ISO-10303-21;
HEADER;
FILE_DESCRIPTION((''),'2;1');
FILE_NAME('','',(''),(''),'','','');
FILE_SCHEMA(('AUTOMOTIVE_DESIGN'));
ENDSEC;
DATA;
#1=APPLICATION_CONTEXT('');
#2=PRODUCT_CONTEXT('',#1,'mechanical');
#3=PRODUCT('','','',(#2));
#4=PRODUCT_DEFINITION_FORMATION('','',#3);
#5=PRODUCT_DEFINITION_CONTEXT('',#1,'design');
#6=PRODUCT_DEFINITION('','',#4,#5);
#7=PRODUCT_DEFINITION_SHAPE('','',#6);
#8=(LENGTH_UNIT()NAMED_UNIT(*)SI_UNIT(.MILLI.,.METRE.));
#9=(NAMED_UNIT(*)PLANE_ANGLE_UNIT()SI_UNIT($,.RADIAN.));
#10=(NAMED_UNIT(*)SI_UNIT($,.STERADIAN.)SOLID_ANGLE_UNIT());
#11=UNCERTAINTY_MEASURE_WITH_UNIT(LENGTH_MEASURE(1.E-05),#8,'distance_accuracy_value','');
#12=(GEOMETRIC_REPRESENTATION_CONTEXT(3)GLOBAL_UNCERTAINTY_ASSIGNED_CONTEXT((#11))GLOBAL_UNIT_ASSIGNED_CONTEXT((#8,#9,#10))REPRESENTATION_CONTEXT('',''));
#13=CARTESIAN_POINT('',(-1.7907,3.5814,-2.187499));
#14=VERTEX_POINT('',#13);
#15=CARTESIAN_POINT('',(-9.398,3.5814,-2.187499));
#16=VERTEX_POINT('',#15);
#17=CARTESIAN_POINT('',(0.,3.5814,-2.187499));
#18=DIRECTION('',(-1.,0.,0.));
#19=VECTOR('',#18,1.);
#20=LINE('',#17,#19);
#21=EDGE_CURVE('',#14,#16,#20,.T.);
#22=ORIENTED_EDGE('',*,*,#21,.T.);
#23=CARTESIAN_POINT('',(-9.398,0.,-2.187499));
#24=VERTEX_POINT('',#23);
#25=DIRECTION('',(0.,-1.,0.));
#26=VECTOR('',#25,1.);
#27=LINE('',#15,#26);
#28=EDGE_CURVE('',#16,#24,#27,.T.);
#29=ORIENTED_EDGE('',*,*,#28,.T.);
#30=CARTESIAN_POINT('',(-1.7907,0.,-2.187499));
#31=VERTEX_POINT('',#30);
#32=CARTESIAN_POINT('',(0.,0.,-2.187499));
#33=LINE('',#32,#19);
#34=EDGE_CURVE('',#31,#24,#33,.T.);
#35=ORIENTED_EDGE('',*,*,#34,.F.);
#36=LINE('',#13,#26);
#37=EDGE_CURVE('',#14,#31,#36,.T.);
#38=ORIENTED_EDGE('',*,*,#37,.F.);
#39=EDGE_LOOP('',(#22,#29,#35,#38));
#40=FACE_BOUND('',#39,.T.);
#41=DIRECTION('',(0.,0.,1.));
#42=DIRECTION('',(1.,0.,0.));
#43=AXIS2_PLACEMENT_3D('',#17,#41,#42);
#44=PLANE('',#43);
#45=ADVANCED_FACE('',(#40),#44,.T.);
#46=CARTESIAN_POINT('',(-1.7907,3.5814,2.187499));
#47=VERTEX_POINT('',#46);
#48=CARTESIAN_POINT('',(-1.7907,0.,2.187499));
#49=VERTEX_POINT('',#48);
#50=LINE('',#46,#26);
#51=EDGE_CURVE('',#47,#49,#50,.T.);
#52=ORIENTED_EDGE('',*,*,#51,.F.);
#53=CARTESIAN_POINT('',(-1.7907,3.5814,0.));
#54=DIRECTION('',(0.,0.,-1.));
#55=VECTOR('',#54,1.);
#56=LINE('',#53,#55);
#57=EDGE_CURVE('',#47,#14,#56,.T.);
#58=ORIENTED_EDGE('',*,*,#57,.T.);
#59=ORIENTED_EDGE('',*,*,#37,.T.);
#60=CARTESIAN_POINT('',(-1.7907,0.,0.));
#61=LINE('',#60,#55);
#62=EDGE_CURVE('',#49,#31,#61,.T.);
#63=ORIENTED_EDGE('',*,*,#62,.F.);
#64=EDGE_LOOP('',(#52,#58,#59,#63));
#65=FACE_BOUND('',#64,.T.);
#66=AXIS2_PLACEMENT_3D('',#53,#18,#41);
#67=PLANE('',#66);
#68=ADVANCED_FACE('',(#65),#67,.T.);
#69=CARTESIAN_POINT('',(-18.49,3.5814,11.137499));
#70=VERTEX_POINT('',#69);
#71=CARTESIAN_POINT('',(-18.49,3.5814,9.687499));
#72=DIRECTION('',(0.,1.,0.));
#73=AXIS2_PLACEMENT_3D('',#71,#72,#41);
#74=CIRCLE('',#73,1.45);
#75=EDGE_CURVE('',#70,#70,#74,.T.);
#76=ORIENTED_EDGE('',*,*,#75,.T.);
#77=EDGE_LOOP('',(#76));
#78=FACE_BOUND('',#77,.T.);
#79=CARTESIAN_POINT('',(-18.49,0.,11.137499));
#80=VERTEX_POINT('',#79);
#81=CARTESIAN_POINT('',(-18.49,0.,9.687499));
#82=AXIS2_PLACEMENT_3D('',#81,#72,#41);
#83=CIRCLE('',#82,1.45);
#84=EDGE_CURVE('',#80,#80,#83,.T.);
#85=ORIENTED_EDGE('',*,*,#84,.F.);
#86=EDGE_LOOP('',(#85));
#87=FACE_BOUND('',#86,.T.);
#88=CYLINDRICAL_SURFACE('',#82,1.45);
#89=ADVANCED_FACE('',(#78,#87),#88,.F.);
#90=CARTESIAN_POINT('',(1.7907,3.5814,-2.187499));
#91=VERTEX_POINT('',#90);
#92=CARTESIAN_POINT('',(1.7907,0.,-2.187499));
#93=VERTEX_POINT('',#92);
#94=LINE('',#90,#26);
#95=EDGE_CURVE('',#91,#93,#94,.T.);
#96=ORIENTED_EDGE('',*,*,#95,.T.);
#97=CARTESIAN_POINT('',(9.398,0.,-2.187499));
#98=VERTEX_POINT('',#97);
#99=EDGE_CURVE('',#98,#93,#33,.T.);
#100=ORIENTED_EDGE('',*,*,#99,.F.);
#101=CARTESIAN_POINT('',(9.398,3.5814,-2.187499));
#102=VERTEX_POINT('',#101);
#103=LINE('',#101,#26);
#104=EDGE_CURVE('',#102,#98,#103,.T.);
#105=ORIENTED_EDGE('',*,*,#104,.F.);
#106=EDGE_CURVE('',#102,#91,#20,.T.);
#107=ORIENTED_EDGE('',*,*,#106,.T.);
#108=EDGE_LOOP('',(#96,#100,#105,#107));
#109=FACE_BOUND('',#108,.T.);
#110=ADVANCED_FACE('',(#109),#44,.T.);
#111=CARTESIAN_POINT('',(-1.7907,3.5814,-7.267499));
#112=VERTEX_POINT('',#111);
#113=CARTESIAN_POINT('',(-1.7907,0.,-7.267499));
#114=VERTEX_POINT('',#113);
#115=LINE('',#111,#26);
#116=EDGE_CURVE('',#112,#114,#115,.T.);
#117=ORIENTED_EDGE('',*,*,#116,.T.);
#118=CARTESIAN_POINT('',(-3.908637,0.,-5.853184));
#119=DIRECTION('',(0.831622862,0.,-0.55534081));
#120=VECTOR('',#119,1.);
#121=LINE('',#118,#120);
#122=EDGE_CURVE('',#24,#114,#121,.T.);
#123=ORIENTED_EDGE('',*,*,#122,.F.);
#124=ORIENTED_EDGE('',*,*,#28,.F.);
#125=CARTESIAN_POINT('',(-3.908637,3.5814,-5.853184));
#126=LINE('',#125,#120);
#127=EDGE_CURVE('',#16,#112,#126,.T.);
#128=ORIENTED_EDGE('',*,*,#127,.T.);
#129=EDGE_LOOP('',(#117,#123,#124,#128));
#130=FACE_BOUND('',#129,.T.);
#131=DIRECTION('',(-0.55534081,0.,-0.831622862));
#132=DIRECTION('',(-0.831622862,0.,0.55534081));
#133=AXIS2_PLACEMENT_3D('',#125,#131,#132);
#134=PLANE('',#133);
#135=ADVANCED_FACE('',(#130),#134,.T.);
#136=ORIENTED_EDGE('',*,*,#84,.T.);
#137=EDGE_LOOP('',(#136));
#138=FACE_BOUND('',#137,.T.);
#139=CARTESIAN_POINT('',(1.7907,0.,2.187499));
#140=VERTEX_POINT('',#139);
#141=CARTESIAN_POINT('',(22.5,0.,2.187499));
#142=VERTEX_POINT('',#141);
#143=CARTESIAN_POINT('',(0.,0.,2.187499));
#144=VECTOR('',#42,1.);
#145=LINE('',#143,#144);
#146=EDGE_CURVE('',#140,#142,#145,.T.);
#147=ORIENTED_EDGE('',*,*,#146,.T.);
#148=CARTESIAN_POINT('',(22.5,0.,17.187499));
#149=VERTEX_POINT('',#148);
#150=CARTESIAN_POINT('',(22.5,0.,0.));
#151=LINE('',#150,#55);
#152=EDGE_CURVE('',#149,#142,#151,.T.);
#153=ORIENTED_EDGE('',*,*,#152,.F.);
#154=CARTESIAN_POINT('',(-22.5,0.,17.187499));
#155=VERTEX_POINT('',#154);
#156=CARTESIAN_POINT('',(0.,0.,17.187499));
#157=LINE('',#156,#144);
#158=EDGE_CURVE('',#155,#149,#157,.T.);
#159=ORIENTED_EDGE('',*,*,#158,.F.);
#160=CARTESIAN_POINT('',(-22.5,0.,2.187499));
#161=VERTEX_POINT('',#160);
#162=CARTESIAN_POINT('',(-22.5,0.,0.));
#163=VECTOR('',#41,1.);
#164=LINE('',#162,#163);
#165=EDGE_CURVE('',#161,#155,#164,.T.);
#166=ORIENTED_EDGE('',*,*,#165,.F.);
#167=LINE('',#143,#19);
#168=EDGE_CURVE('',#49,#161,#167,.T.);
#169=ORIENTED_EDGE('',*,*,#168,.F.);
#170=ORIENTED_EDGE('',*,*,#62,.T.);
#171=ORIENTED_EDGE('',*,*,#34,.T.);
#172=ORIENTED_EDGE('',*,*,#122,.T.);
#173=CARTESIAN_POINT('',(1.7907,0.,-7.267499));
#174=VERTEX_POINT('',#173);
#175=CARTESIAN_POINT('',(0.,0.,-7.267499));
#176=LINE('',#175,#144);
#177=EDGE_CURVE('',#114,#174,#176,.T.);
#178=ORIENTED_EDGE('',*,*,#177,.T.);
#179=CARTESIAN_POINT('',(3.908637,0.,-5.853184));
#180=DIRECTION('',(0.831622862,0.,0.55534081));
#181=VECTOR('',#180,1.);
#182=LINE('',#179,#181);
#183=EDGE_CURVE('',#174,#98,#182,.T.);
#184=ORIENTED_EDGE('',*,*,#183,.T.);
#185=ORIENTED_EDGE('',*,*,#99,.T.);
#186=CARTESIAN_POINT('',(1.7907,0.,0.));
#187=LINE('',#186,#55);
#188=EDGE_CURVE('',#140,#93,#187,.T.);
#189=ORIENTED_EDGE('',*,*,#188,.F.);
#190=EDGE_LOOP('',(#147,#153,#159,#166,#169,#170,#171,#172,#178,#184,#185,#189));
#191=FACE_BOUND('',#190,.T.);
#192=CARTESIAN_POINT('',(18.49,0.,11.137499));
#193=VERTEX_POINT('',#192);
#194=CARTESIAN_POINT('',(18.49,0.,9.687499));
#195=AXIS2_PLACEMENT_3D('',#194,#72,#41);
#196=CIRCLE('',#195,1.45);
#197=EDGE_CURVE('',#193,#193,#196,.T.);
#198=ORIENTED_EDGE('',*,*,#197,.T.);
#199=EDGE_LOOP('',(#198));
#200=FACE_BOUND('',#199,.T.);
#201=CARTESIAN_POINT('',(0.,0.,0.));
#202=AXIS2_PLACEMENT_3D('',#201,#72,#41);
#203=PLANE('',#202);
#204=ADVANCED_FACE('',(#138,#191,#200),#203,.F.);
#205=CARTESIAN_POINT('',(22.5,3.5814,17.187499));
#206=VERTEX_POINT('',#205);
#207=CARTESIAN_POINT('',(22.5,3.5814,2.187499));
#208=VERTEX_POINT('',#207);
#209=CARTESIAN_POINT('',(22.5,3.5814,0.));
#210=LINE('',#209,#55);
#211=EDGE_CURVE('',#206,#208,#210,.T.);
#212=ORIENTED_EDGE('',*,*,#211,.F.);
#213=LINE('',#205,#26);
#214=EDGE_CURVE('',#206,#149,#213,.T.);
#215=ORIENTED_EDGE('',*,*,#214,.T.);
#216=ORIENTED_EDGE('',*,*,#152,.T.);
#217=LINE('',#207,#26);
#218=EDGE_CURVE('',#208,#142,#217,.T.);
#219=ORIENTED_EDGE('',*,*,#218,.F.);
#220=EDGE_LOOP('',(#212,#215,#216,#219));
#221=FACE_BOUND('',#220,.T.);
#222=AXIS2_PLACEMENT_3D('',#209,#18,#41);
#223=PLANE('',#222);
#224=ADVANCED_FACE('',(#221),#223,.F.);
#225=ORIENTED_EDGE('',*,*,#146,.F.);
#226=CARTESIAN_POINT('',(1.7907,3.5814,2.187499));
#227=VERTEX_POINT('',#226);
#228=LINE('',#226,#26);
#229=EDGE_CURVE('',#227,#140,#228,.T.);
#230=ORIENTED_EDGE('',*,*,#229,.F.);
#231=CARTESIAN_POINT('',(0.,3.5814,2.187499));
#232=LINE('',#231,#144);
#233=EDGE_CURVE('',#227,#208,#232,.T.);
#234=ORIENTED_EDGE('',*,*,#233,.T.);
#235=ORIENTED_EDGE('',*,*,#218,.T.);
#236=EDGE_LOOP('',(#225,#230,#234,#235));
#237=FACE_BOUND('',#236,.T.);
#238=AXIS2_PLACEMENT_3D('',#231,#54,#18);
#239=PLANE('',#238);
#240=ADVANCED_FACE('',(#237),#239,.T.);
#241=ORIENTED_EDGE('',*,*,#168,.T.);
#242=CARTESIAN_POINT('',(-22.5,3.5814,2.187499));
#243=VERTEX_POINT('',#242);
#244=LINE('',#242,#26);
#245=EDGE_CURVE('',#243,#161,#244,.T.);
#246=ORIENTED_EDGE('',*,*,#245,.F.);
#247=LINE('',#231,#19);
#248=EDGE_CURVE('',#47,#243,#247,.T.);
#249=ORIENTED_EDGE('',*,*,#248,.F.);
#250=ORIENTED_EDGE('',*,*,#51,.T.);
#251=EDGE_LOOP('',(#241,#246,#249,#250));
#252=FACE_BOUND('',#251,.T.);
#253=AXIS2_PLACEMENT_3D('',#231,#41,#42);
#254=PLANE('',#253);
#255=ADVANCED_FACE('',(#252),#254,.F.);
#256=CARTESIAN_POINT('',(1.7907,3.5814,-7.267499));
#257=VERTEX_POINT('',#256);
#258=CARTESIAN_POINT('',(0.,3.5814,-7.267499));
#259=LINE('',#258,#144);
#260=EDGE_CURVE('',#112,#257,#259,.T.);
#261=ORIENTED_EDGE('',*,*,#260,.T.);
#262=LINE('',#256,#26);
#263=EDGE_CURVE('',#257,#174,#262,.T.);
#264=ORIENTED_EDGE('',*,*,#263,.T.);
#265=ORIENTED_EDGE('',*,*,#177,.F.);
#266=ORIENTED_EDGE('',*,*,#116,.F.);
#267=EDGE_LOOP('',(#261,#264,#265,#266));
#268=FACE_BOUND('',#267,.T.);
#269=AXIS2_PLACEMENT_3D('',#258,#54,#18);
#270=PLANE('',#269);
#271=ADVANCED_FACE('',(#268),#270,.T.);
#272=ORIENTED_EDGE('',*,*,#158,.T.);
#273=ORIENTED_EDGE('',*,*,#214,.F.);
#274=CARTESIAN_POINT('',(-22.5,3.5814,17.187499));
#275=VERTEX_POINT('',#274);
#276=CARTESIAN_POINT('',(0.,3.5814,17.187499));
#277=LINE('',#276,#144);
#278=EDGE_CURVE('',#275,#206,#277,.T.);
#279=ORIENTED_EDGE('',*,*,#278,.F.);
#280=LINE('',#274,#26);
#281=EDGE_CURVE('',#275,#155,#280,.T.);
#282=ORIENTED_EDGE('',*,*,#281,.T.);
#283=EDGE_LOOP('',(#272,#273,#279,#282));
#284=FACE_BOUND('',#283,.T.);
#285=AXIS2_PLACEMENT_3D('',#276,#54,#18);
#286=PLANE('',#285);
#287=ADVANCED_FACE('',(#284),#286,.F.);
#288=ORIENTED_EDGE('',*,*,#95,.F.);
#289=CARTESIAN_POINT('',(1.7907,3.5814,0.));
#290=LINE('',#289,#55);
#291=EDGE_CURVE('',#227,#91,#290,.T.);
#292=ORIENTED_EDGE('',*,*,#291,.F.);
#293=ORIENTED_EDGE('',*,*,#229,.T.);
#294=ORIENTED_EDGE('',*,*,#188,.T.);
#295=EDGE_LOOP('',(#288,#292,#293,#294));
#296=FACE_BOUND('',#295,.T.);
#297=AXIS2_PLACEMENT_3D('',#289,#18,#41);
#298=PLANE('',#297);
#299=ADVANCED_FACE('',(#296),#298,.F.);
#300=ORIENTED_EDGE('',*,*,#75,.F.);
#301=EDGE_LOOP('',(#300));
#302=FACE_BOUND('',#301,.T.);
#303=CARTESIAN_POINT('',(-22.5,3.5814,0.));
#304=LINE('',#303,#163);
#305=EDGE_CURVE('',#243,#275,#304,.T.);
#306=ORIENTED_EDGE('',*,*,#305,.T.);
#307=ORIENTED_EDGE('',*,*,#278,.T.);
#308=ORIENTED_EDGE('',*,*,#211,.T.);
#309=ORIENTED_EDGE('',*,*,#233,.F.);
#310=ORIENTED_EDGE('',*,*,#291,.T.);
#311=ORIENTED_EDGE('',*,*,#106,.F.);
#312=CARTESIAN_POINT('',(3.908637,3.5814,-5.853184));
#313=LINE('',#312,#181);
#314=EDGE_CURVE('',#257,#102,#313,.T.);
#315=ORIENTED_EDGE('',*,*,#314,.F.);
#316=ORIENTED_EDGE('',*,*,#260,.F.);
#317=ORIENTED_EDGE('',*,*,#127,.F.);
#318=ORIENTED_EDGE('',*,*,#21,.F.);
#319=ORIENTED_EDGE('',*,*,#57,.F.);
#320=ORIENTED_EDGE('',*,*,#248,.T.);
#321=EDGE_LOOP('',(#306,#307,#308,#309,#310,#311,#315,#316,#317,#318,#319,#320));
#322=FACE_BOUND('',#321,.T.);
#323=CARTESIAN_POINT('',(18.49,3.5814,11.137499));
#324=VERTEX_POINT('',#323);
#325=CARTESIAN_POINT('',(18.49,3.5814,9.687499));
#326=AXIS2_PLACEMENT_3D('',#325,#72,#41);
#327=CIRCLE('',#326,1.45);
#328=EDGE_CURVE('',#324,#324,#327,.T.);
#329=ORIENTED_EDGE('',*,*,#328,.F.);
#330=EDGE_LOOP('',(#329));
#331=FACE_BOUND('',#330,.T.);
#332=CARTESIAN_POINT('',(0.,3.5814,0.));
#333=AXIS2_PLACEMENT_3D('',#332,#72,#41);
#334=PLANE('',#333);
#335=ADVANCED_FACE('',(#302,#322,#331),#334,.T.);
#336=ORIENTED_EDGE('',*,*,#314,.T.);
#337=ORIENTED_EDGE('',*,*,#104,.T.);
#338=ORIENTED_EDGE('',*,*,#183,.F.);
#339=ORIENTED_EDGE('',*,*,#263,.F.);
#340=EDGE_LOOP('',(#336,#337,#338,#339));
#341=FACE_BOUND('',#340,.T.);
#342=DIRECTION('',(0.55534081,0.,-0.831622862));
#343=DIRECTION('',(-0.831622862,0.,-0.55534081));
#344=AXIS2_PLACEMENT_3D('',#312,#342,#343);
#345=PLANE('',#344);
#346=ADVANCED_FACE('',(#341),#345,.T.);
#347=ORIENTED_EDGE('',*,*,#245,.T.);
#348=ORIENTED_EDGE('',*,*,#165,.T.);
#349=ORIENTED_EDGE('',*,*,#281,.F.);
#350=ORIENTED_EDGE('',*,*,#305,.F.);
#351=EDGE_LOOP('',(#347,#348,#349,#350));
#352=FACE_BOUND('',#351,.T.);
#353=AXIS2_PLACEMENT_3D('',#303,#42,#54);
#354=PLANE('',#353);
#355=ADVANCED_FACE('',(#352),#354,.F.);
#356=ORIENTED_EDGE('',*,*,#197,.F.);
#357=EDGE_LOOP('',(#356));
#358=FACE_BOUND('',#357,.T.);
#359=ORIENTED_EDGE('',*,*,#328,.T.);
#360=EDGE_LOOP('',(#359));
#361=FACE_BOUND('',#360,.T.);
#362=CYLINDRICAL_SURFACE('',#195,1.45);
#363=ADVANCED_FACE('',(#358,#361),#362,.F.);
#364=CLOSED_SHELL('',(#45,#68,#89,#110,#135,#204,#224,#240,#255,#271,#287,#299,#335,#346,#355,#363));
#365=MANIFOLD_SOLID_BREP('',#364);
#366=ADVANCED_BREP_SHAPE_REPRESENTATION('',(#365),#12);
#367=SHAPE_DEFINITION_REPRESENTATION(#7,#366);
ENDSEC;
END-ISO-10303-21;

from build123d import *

# Parameters (mm, degrees)
BOSS_EXTRUDE1_DEPTH = 3.5814
SKETCH2_R           = 1.45
CUT_EXTRUDE1_DEPTH  = 4.5814


with BuildPart() as part:
    # Sketch1 → Boss-Extrude1 (new body)
    with BuildSketch(Plane(origin=(0, 0, 0), x_dir=(1, 0, 0), z_dir=(0, 1, 0))):
        Polygon((-22.5, -17.1874988), (22.5, -17.1874988), (22.5, -2.1874988), (1.7907, -2.1874988), (1.7907, 2.1874988), (9.398, 2.1874988), (1.7907, 7.2674988), (-1.7907, 7.2674988), (-9.398, 2.1874988), (-1.7907, 2.1874988), (-1.7907, -2.1874988), (-22.5, -2.1874988), align=None)
    extrude(amount=BOSS_EXTRUDE1_DEPTH)

    # Sketch2 → Cut-Extrude1 (cut, through all)
    with BuildSketch(Plane(origin=(0, 3.5814, 0), x_dir=(1, 0, 0), z_dir=(0, 1, 0))):
        with Locations((-18.49, -9.6874988)):
            Circle(SKETCH2_R)
        with Locations((18.49, -9.6874988)):
            Circle(SKETCH2_R)
    extrude(amount=-CUT_EXTRUDE1_DEPTH, mode=Mode.SUBTRACT)


solid = part.part
